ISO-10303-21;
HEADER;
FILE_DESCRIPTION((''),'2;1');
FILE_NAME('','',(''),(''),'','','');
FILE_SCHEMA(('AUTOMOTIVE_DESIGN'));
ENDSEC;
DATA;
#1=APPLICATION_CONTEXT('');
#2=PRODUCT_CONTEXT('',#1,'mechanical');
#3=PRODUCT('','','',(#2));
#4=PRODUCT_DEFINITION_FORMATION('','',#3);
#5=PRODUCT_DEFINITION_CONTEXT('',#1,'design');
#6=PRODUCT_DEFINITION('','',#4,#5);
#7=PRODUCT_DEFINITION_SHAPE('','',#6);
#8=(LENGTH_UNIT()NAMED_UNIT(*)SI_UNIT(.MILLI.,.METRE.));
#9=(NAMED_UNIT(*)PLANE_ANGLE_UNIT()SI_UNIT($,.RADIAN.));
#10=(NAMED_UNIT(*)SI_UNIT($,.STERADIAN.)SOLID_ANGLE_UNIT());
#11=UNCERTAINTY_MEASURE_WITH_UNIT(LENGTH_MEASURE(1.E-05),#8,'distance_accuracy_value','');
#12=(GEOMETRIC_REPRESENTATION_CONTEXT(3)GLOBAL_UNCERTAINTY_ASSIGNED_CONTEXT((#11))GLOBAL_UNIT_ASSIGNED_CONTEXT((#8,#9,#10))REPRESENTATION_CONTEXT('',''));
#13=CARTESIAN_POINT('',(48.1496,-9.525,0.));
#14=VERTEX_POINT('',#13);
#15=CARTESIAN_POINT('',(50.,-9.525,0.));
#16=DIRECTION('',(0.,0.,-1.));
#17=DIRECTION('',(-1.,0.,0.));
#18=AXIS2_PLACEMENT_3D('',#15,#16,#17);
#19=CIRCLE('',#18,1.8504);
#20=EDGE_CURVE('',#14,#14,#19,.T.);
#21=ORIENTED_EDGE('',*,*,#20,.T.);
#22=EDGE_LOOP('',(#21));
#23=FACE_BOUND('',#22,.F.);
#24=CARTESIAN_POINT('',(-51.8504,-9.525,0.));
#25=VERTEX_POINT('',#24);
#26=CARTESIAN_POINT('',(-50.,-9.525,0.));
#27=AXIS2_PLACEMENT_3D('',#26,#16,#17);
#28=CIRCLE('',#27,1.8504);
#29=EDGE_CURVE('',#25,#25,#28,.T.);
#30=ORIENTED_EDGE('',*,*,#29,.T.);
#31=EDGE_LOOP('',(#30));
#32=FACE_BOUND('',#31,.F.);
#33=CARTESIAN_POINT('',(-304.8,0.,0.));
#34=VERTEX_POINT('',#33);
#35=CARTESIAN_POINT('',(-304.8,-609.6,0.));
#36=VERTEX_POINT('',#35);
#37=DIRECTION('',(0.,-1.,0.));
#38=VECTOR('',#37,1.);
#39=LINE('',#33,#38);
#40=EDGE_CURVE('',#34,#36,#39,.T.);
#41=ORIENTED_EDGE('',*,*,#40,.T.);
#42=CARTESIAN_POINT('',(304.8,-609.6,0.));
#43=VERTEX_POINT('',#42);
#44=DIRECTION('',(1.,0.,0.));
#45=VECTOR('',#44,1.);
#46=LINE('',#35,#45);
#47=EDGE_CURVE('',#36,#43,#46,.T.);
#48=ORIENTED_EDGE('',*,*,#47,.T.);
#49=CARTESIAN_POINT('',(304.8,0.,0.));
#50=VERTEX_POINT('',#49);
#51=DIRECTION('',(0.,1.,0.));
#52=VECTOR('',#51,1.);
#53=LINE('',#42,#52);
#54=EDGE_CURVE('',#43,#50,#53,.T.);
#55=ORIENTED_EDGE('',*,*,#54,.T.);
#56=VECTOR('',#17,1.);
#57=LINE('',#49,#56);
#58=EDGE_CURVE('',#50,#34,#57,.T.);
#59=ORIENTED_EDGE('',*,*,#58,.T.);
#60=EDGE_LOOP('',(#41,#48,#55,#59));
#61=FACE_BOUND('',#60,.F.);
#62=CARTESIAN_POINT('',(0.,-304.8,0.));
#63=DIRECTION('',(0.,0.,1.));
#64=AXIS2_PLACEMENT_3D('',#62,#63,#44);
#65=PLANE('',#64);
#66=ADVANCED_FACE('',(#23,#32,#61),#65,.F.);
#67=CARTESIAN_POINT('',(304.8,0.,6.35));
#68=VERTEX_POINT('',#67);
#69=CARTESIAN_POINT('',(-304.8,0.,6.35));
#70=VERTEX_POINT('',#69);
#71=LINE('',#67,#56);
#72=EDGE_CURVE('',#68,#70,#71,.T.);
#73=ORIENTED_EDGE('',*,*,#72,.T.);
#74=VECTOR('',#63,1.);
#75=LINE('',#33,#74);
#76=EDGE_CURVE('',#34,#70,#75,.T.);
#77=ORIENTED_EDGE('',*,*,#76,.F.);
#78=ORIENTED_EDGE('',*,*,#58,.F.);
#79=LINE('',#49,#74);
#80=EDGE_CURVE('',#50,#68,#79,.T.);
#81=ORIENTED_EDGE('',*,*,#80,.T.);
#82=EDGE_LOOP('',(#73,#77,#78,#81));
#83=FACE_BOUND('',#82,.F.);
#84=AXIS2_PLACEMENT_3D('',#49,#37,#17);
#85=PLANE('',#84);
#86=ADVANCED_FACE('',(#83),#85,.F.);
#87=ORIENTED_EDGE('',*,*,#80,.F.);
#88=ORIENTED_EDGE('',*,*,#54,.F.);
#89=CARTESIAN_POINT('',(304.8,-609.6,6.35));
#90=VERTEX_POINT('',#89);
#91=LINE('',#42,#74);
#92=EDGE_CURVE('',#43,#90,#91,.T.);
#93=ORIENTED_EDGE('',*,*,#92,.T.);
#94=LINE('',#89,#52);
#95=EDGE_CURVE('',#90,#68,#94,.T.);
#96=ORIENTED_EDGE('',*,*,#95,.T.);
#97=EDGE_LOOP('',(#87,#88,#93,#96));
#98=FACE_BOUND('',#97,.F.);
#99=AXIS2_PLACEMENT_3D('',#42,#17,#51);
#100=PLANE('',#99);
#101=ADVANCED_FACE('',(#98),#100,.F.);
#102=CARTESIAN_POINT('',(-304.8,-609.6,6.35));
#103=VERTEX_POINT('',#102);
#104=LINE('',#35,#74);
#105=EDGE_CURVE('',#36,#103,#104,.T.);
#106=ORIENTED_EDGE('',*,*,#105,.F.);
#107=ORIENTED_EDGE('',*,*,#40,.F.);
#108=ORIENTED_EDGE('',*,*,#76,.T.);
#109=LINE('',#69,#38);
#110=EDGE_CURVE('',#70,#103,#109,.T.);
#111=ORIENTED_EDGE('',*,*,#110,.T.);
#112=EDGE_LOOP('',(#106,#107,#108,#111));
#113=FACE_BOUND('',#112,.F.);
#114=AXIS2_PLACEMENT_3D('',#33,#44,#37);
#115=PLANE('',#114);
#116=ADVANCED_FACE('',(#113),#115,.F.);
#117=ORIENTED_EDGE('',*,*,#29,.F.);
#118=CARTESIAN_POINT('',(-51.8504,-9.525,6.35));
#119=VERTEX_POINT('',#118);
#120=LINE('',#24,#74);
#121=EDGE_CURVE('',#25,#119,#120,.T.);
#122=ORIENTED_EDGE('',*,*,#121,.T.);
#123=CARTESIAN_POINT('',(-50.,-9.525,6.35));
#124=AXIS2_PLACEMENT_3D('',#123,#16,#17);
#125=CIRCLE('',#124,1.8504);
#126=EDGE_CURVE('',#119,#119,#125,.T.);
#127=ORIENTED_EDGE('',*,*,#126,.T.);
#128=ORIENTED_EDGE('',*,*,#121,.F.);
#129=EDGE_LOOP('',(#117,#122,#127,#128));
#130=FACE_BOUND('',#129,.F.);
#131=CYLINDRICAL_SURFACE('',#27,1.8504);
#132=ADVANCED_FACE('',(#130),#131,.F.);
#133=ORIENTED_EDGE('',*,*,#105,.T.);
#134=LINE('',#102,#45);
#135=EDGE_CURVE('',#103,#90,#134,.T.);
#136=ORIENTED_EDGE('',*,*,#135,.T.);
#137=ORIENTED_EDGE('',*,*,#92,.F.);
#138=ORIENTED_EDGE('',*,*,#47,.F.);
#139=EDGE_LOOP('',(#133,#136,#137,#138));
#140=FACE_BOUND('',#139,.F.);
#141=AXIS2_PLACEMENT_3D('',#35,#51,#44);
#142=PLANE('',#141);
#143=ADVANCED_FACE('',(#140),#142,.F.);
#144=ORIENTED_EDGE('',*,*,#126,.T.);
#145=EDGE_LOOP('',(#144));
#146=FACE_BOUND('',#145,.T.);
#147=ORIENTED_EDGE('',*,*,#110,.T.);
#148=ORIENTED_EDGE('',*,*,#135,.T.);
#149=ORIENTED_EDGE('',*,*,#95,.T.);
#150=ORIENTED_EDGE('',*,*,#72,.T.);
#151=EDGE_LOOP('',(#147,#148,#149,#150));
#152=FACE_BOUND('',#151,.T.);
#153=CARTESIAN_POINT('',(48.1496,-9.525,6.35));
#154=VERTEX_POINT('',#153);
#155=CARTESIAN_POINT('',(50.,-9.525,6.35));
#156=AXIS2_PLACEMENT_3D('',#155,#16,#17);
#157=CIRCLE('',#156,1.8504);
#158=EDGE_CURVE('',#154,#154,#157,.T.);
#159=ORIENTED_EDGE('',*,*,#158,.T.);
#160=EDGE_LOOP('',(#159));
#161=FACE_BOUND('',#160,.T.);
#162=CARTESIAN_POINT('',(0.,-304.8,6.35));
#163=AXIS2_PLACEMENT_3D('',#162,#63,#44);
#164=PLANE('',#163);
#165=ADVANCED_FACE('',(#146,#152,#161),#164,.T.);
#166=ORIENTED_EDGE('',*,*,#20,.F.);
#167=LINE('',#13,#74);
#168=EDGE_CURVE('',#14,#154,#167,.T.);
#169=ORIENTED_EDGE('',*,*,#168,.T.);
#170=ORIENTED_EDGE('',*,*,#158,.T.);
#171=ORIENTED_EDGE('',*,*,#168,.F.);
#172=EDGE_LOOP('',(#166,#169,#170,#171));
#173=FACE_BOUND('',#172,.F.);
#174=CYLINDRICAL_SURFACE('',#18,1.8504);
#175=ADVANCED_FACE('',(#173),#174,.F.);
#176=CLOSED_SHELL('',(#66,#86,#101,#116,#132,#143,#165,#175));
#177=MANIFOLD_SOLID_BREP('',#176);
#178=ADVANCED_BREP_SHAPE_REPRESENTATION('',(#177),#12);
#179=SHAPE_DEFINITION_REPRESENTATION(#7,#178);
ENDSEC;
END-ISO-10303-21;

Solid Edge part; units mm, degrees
sketch "Sketch1" plane through (0, 0, 0) normal (0, 0, 1) x (1, 0, 0)
  line L0 (-304.8, -609.6) -> (304.8, -609.6)
  line L1 (304.8, -609.6) -> (304.8, 0)
  line L2 (304.8, 0) -> (-304.8, 0)
  line L3 (-304.8, 0) -> (-304.8, -609.6)
  dimension "D1" = 609.6
  dimension "D2" = 609.6
extrude "Protrusion1" add sketch "Sketch1" along normal blind 6.35
sketch "Sketch2" plane through (0, 0, 0) normal (0, 0, -1) x (-1, 0, 0)
  circle A0 centre (-50, -9.525) radius 1.8504
  circle A1 centre (50, -9.525) radius 1.8504
  dimension "D1" = 3.7008
  dimension "D2" = 100.0001
  dimension "D3" = 9.525
extrude "Cutout1" cut sketch "Sketch2" against normal through all
properties material "Wood, Pine"
